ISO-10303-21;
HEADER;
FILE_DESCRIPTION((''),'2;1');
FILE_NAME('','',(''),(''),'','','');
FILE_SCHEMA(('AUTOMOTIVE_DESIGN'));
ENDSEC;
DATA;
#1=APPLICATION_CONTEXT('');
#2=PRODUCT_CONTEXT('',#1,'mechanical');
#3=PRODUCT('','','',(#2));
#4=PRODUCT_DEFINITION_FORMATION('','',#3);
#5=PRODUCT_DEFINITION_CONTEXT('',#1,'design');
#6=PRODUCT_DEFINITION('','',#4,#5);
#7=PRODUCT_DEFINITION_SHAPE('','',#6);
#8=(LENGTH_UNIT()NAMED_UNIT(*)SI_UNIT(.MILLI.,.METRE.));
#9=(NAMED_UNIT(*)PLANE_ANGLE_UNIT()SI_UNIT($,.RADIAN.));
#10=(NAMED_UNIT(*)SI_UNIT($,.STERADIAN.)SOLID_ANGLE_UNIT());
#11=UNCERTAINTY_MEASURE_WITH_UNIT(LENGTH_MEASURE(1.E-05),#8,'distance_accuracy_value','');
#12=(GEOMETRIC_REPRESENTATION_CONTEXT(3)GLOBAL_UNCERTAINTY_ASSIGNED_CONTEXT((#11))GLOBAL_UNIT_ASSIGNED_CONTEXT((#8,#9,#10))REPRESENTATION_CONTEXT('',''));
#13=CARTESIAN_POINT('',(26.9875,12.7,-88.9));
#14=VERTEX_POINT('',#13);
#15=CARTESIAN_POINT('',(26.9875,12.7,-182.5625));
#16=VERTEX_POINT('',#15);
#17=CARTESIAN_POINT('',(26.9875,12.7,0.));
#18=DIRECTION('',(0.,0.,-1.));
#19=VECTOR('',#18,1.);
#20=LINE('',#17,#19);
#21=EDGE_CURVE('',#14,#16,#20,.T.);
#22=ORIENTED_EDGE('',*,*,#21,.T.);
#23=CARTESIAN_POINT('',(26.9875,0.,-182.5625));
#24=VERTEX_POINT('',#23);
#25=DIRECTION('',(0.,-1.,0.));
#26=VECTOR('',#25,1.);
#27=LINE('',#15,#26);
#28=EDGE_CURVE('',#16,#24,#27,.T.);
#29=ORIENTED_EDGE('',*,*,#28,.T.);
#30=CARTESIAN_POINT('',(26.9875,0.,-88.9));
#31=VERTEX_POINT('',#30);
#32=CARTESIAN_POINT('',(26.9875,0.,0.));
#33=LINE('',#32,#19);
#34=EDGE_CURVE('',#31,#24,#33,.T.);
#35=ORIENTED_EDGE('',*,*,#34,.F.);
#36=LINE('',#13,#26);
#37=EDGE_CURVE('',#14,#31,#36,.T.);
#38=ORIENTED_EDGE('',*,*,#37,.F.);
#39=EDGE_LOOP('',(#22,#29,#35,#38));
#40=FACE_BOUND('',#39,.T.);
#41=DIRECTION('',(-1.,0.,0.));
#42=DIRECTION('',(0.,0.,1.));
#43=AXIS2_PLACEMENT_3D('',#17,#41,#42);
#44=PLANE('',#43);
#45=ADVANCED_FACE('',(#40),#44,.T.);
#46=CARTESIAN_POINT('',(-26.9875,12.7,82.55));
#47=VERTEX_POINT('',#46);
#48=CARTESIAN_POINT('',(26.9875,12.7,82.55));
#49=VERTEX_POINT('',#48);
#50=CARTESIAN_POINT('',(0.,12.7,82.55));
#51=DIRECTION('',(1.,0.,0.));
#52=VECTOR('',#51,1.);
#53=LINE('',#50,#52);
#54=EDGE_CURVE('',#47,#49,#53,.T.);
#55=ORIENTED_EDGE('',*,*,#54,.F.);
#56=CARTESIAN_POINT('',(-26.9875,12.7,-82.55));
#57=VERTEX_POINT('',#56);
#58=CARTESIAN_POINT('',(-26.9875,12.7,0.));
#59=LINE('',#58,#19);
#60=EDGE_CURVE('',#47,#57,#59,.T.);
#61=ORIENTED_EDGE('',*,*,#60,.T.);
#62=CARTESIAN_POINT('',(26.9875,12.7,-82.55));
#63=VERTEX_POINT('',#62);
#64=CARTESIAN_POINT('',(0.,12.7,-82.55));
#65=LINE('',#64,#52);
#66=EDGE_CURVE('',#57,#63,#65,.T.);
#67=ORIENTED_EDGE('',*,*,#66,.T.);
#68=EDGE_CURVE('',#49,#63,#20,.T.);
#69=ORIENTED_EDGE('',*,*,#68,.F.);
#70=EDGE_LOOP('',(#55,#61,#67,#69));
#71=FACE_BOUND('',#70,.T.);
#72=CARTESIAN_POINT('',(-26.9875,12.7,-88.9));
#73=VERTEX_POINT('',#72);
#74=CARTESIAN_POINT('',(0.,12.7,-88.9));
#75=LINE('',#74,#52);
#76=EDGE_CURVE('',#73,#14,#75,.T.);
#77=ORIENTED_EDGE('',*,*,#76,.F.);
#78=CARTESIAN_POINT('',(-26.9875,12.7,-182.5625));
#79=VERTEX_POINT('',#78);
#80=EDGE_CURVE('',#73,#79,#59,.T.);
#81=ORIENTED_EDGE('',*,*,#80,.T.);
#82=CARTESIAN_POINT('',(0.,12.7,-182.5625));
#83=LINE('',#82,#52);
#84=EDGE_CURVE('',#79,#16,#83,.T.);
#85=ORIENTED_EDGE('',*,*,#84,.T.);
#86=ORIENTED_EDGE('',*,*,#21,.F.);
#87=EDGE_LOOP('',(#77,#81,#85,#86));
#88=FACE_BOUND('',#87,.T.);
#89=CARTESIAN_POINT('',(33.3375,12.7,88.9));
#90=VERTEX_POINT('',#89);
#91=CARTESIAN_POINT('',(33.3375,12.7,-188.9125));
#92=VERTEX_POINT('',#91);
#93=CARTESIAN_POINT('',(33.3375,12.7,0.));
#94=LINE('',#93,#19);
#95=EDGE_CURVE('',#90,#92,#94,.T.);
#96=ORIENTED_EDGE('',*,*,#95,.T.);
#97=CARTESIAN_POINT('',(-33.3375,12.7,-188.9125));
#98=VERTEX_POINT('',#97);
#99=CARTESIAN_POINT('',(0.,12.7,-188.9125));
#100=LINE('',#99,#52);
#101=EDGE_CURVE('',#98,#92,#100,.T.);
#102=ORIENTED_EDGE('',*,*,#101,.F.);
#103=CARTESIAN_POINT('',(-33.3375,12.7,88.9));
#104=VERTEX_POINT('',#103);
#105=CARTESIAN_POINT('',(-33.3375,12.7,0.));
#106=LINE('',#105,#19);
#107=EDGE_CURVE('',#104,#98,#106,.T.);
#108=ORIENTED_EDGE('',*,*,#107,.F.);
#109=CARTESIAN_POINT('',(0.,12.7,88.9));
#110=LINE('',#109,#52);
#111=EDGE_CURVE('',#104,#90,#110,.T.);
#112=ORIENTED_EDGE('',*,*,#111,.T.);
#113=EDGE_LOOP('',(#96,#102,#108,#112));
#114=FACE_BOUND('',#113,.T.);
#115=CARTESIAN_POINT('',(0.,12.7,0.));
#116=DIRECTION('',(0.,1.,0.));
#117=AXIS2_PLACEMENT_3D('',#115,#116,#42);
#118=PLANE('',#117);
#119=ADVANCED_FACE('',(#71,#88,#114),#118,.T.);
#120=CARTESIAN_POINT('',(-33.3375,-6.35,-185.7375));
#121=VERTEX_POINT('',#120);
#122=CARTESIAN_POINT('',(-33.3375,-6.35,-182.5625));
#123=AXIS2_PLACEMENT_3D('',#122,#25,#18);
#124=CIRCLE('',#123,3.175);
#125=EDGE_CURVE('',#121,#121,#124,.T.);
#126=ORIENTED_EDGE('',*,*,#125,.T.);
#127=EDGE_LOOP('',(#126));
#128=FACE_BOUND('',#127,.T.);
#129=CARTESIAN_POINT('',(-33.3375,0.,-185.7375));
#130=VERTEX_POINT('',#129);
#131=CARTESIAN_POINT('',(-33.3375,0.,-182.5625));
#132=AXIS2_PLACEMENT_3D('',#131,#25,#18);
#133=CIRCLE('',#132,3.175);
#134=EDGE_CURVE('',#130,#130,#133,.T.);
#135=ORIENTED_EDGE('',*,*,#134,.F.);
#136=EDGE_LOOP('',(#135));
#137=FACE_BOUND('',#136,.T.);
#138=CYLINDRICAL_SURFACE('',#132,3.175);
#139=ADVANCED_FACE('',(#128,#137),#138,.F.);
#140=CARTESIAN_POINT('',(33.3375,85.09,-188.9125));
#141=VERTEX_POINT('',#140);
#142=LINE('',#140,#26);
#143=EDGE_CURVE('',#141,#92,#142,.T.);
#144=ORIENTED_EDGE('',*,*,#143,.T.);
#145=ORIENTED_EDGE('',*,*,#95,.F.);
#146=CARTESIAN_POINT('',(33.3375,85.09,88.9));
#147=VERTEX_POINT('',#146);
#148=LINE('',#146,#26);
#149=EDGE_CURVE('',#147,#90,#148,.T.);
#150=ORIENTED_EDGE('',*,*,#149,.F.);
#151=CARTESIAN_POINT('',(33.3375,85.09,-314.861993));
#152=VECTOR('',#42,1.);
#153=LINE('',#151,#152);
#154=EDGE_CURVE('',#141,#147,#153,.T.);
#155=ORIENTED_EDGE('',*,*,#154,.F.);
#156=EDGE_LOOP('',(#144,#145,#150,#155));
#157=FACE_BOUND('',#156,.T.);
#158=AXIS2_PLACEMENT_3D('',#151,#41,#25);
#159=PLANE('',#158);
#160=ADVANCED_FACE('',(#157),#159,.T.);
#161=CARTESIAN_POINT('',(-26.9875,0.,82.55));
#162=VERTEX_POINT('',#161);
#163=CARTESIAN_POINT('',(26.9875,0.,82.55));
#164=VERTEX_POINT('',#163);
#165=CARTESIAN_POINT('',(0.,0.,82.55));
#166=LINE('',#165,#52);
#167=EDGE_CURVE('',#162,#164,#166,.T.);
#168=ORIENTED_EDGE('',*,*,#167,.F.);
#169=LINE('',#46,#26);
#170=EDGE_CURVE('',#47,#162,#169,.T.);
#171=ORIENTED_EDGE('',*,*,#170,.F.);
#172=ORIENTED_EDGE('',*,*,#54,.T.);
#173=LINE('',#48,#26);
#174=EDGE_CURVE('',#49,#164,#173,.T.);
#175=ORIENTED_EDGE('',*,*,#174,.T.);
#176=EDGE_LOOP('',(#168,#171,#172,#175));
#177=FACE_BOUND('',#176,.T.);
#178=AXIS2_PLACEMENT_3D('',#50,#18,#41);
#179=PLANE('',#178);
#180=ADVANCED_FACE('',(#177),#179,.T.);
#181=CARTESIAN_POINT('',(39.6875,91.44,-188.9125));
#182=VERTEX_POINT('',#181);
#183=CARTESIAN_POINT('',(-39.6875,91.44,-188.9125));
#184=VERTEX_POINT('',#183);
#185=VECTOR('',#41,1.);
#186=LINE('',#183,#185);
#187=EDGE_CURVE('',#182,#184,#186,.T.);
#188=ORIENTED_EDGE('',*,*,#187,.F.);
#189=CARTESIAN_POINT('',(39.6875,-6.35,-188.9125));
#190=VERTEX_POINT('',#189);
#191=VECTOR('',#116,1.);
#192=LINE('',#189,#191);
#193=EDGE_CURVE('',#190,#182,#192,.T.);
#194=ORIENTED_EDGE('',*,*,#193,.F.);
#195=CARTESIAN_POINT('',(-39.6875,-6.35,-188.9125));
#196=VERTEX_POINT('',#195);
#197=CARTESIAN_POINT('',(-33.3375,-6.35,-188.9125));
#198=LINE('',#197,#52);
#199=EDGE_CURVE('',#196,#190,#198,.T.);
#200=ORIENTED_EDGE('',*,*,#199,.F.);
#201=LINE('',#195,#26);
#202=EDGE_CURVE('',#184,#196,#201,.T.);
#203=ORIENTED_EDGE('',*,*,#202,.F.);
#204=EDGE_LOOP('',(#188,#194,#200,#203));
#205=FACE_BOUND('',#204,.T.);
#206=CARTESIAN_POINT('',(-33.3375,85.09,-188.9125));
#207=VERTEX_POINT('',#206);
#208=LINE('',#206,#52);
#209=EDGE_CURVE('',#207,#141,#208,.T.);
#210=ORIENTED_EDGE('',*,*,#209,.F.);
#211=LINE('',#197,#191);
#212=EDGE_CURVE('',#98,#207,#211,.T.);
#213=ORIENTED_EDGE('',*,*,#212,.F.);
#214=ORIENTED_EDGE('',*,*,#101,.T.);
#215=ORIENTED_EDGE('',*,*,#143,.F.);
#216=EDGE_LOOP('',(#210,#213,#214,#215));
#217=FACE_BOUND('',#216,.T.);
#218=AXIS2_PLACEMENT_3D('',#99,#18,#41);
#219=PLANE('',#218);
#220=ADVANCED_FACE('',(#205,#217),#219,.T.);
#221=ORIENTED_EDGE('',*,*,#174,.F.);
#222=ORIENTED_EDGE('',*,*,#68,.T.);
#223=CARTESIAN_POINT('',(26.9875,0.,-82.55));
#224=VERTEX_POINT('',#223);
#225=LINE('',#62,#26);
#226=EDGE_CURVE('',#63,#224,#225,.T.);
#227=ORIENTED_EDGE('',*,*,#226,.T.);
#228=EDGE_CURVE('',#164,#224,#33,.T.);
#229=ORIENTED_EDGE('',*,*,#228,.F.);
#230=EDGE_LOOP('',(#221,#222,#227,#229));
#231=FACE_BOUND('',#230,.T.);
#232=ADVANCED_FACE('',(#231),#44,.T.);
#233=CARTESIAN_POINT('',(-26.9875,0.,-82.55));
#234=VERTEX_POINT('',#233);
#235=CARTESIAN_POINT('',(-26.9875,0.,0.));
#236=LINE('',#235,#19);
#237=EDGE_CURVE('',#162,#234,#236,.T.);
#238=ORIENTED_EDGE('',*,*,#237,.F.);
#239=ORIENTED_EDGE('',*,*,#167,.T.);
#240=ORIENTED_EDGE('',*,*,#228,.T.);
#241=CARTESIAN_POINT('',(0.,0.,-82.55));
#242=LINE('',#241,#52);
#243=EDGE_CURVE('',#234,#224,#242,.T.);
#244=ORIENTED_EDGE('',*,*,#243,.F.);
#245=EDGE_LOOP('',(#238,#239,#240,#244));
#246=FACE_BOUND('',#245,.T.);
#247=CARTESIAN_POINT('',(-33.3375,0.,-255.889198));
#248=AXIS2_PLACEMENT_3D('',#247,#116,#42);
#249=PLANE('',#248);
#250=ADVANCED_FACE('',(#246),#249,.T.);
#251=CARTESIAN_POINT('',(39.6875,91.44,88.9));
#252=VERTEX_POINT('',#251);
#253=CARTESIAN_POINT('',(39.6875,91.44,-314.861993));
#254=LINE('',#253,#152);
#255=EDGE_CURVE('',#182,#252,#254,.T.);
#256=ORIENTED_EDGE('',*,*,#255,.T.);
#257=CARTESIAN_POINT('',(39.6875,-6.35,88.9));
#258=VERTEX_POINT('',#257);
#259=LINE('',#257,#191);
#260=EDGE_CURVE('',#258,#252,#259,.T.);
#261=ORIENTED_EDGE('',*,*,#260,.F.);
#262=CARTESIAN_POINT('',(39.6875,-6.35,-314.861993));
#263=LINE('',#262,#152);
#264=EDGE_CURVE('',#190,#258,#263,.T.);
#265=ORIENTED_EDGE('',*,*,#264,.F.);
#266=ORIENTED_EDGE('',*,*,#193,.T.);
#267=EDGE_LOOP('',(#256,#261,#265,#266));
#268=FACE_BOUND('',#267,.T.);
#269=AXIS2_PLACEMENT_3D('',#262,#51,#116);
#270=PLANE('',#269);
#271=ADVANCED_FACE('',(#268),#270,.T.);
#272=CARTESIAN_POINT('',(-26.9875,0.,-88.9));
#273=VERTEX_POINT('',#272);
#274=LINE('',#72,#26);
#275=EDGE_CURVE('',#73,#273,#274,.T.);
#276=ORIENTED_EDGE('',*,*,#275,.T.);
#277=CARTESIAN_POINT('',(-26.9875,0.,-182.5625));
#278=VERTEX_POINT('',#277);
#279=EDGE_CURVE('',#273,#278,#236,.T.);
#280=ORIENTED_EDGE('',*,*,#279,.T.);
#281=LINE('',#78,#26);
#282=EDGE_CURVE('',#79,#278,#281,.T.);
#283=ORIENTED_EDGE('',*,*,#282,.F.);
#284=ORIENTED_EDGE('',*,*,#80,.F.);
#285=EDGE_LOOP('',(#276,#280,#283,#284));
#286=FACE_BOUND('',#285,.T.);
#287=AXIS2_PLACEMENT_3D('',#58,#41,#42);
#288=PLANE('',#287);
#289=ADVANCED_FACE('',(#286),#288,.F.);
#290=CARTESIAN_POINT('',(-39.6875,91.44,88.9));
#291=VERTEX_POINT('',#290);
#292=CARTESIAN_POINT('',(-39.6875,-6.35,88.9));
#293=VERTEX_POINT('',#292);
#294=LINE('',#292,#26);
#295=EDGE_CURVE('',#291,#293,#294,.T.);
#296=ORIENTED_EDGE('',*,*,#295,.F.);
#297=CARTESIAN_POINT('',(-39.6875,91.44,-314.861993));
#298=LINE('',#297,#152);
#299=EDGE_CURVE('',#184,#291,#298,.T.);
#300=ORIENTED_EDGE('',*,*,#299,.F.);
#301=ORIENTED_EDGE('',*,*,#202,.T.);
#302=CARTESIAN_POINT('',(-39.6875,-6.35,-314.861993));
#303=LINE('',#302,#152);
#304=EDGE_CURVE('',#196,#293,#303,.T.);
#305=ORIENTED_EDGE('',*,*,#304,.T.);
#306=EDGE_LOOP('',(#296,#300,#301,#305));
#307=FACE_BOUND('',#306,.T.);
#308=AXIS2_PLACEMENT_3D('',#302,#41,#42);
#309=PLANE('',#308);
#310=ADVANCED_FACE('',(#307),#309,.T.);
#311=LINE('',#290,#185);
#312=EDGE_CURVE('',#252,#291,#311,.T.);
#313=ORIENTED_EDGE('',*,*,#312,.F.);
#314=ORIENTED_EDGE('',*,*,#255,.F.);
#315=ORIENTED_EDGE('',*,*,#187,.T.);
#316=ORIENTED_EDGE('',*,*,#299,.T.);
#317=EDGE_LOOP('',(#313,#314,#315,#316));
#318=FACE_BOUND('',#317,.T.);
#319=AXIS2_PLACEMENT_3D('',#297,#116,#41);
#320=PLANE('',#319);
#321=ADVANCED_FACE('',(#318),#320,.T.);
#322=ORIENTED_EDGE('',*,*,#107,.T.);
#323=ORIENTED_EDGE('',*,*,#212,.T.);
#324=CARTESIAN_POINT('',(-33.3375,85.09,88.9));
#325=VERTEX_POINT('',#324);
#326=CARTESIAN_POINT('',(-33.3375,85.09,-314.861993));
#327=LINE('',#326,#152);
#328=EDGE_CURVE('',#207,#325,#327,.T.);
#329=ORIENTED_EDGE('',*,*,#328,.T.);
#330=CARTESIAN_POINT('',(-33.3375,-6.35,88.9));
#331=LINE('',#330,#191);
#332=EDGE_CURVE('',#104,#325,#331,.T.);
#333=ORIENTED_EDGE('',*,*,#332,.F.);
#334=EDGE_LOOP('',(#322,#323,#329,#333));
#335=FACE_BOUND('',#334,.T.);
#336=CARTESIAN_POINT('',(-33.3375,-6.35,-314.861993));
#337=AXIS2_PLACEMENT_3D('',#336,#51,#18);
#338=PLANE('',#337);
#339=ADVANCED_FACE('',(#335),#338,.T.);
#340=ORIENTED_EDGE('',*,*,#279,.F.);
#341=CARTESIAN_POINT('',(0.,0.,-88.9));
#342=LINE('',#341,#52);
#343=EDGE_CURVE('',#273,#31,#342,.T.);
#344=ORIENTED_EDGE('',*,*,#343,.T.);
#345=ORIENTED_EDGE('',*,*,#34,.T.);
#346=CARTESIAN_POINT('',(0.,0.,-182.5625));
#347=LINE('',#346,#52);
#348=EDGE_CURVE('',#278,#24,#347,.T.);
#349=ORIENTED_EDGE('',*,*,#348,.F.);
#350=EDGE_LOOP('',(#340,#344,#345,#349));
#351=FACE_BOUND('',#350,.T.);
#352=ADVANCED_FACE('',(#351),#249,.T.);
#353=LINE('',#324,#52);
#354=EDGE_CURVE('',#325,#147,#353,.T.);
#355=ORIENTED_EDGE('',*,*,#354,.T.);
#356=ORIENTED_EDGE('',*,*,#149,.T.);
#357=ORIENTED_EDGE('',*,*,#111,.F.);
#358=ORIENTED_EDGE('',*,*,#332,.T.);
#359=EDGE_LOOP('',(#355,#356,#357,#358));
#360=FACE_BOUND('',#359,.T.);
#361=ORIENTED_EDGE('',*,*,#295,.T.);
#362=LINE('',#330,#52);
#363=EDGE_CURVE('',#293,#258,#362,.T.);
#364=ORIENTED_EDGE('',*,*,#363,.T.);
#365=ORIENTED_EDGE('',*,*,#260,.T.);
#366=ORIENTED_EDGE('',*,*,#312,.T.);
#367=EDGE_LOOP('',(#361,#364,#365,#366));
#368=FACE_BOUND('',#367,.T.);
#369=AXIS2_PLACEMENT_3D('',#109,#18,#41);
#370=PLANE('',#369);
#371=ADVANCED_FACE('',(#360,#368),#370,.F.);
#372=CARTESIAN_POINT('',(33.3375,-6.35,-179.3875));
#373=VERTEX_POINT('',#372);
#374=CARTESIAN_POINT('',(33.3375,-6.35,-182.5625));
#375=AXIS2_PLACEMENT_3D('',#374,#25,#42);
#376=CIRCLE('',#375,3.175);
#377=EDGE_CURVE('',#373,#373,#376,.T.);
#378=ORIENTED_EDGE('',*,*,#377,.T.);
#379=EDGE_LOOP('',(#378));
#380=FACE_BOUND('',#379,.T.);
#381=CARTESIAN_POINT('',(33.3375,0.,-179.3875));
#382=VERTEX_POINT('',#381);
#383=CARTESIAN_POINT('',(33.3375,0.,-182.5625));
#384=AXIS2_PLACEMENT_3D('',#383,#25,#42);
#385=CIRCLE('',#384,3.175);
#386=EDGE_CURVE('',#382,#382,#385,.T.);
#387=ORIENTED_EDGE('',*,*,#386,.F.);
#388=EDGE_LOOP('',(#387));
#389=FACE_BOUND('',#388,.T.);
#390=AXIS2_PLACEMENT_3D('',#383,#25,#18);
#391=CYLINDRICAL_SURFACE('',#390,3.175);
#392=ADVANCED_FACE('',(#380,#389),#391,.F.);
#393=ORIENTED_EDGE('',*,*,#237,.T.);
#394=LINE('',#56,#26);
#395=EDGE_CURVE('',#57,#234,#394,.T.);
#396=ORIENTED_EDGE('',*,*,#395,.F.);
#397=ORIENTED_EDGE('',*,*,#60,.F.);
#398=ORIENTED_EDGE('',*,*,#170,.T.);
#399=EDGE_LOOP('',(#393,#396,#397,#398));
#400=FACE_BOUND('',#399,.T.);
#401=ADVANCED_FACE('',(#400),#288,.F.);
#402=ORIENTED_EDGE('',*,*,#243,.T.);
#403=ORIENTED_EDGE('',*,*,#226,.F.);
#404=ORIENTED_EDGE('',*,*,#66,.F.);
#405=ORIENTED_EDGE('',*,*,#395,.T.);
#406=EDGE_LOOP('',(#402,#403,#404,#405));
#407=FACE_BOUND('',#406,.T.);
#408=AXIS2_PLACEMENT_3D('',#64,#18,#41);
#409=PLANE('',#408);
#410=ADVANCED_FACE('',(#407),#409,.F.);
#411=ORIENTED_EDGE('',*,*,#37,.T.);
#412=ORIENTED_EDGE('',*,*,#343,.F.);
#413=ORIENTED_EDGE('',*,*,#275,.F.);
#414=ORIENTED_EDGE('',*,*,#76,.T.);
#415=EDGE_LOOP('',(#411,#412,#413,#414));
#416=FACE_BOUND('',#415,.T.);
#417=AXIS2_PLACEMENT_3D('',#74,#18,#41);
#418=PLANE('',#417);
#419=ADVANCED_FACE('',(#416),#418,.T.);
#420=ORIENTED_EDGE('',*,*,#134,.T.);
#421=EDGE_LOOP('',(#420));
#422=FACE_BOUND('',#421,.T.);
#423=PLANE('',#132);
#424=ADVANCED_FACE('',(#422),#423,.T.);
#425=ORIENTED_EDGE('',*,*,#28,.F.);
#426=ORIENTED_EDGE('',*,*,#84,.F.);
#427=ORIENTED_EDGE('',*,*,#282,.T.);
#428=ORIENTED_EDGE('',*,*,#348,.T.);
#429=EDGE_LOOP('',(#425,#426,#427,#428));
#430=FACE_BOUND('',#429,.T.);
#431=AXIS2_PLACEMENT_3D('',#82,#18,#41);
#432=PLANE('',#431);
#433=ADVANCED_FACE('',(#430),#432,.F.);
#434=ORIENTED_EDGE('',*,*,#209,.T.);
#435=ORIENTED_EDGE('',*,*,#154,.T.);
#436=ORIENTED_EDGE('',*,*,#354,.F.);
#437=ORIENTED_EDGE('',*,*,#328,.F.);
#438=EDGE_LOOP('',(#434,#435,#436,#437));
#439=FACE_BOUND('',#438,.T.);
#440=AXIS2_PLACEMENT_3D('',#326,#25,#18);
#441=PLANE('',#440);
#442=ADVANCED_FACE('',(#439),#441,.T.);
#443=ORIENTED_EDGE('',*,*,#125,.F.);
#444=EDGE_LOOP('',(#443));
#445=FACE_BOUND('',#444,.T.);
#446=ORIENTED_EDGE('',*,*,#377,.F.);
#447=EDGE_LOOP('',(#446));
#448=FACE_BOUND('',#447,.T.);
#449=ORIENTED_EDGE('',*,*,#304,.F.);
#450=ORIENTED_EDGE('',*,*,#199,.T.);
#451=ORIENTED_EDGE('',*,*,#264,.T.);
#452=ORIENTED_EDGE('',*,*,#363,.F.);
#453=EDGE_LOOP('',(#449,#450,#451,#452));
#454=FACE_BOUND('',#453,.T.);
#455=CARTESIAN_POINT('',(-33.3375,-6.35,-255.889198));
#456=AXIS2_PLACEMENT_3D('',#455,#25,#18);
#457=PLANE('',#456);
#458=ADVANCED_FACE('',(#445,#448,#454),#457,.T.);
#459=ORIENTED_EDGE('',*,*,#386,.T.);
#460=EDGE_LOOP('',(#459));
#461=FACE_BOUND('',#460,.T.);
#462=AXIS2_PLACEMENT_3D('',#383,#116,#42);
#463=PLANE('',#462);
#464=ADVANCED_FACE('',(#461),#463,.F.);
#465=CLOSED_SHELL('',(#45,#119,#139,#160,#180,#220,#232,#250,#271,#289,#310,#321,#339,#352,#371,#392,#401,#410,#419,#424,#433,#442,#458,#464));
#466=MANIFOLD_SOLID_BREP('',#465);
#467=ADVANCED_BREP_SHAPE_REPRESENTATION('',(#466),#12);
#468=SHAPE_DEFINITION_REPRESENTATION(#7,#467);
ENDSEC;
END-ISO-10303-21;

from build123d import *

# Parameters (mm, degrees)
SKETCH1_W           = 53.975
SKETCH1_H           = 165.1
SKETCH1_H_2         = 93.6625
BOSS_EXTRUDE4_DEPTH = 12.7
SKETCH4_W           = 66.675
SKETCH4_H           = 6.35
BOSS_EXTRUDE5_DEPTH = 277.8125
BOSS_EXTRUDE6_DEPTH = 277.8125
SKETCH6_R           = 3.175
CUT_EXTRUDE3_DEPTH  = 6.35


with BuildPart() as part:
    # Sketch1 → Boss-Extrude4 (new body)
    with BuildSketch(Plane(origin=(0, 0, 0), x_dir=(1, 0, 0), z_dir=(0, 1, 0))):
        Polygon((33.3375, -88.9), (33.3375, 88.9), (33.3375, 188.9125), (-33.3375, 188.9125), (-33.3375, 88.9), (-33.3375, -88.9), align=None)
        Rectangle(SKETCH1_W, SKETCH1_H, mode=Mode.SUBTRACT)
        with Locations((0, 135.73125)):
            Rectangle(SKETCH1_W, SKETCH1_H_2, mode=Mode.SUBTRACT)
    extrude(amount=BOSS_EXTRUDE4_DEPTH)

    # Sketch4 → Boss-Extrude5 (add)
    with BuildSketch(Plane.XY.offset(88.9)):
        with Locations((0, -3.175)):
            Rectangle(SKETCH4_W, SKETCH4_H)
    extrude(amount=-BOSS_EXTRUDE5_DEPTH)

    # Sketch5 → Boss-Extrude6 (add)
    with BuildSketch(Plane.XY.offset(88.9)):
        Polygon((-39.6875, -6.35), (-39.6875, 91.44), (39.6875, 91.44), (39.6875, -6.35), (33.3375, -6.35), (33.3375, 85.09), (-33.3375, 85.09), (-33.3375, -6.35), align=None)
    extrude(amount=-BOSS_EXTRUDE6_DEPTH)

    # Sketch6 → Cut-Extrude3 (cut)
    with BuildSketch(Plane.XZ.offset(6.35)):
        with Locations(Location((-33.3375, -182.5625, 0), (0, 0, 270))):
            Circle(SKETCH6_R)
        with Locations(Location((33.3375, -182.5625, 0), (0, 0, 90))):
            Circle(SKETCH6_R)
    extrude(amount=-CUT_EXTRUDE3_DEPTH, mode=Mode.SUBTRACT)


solid = part.part
